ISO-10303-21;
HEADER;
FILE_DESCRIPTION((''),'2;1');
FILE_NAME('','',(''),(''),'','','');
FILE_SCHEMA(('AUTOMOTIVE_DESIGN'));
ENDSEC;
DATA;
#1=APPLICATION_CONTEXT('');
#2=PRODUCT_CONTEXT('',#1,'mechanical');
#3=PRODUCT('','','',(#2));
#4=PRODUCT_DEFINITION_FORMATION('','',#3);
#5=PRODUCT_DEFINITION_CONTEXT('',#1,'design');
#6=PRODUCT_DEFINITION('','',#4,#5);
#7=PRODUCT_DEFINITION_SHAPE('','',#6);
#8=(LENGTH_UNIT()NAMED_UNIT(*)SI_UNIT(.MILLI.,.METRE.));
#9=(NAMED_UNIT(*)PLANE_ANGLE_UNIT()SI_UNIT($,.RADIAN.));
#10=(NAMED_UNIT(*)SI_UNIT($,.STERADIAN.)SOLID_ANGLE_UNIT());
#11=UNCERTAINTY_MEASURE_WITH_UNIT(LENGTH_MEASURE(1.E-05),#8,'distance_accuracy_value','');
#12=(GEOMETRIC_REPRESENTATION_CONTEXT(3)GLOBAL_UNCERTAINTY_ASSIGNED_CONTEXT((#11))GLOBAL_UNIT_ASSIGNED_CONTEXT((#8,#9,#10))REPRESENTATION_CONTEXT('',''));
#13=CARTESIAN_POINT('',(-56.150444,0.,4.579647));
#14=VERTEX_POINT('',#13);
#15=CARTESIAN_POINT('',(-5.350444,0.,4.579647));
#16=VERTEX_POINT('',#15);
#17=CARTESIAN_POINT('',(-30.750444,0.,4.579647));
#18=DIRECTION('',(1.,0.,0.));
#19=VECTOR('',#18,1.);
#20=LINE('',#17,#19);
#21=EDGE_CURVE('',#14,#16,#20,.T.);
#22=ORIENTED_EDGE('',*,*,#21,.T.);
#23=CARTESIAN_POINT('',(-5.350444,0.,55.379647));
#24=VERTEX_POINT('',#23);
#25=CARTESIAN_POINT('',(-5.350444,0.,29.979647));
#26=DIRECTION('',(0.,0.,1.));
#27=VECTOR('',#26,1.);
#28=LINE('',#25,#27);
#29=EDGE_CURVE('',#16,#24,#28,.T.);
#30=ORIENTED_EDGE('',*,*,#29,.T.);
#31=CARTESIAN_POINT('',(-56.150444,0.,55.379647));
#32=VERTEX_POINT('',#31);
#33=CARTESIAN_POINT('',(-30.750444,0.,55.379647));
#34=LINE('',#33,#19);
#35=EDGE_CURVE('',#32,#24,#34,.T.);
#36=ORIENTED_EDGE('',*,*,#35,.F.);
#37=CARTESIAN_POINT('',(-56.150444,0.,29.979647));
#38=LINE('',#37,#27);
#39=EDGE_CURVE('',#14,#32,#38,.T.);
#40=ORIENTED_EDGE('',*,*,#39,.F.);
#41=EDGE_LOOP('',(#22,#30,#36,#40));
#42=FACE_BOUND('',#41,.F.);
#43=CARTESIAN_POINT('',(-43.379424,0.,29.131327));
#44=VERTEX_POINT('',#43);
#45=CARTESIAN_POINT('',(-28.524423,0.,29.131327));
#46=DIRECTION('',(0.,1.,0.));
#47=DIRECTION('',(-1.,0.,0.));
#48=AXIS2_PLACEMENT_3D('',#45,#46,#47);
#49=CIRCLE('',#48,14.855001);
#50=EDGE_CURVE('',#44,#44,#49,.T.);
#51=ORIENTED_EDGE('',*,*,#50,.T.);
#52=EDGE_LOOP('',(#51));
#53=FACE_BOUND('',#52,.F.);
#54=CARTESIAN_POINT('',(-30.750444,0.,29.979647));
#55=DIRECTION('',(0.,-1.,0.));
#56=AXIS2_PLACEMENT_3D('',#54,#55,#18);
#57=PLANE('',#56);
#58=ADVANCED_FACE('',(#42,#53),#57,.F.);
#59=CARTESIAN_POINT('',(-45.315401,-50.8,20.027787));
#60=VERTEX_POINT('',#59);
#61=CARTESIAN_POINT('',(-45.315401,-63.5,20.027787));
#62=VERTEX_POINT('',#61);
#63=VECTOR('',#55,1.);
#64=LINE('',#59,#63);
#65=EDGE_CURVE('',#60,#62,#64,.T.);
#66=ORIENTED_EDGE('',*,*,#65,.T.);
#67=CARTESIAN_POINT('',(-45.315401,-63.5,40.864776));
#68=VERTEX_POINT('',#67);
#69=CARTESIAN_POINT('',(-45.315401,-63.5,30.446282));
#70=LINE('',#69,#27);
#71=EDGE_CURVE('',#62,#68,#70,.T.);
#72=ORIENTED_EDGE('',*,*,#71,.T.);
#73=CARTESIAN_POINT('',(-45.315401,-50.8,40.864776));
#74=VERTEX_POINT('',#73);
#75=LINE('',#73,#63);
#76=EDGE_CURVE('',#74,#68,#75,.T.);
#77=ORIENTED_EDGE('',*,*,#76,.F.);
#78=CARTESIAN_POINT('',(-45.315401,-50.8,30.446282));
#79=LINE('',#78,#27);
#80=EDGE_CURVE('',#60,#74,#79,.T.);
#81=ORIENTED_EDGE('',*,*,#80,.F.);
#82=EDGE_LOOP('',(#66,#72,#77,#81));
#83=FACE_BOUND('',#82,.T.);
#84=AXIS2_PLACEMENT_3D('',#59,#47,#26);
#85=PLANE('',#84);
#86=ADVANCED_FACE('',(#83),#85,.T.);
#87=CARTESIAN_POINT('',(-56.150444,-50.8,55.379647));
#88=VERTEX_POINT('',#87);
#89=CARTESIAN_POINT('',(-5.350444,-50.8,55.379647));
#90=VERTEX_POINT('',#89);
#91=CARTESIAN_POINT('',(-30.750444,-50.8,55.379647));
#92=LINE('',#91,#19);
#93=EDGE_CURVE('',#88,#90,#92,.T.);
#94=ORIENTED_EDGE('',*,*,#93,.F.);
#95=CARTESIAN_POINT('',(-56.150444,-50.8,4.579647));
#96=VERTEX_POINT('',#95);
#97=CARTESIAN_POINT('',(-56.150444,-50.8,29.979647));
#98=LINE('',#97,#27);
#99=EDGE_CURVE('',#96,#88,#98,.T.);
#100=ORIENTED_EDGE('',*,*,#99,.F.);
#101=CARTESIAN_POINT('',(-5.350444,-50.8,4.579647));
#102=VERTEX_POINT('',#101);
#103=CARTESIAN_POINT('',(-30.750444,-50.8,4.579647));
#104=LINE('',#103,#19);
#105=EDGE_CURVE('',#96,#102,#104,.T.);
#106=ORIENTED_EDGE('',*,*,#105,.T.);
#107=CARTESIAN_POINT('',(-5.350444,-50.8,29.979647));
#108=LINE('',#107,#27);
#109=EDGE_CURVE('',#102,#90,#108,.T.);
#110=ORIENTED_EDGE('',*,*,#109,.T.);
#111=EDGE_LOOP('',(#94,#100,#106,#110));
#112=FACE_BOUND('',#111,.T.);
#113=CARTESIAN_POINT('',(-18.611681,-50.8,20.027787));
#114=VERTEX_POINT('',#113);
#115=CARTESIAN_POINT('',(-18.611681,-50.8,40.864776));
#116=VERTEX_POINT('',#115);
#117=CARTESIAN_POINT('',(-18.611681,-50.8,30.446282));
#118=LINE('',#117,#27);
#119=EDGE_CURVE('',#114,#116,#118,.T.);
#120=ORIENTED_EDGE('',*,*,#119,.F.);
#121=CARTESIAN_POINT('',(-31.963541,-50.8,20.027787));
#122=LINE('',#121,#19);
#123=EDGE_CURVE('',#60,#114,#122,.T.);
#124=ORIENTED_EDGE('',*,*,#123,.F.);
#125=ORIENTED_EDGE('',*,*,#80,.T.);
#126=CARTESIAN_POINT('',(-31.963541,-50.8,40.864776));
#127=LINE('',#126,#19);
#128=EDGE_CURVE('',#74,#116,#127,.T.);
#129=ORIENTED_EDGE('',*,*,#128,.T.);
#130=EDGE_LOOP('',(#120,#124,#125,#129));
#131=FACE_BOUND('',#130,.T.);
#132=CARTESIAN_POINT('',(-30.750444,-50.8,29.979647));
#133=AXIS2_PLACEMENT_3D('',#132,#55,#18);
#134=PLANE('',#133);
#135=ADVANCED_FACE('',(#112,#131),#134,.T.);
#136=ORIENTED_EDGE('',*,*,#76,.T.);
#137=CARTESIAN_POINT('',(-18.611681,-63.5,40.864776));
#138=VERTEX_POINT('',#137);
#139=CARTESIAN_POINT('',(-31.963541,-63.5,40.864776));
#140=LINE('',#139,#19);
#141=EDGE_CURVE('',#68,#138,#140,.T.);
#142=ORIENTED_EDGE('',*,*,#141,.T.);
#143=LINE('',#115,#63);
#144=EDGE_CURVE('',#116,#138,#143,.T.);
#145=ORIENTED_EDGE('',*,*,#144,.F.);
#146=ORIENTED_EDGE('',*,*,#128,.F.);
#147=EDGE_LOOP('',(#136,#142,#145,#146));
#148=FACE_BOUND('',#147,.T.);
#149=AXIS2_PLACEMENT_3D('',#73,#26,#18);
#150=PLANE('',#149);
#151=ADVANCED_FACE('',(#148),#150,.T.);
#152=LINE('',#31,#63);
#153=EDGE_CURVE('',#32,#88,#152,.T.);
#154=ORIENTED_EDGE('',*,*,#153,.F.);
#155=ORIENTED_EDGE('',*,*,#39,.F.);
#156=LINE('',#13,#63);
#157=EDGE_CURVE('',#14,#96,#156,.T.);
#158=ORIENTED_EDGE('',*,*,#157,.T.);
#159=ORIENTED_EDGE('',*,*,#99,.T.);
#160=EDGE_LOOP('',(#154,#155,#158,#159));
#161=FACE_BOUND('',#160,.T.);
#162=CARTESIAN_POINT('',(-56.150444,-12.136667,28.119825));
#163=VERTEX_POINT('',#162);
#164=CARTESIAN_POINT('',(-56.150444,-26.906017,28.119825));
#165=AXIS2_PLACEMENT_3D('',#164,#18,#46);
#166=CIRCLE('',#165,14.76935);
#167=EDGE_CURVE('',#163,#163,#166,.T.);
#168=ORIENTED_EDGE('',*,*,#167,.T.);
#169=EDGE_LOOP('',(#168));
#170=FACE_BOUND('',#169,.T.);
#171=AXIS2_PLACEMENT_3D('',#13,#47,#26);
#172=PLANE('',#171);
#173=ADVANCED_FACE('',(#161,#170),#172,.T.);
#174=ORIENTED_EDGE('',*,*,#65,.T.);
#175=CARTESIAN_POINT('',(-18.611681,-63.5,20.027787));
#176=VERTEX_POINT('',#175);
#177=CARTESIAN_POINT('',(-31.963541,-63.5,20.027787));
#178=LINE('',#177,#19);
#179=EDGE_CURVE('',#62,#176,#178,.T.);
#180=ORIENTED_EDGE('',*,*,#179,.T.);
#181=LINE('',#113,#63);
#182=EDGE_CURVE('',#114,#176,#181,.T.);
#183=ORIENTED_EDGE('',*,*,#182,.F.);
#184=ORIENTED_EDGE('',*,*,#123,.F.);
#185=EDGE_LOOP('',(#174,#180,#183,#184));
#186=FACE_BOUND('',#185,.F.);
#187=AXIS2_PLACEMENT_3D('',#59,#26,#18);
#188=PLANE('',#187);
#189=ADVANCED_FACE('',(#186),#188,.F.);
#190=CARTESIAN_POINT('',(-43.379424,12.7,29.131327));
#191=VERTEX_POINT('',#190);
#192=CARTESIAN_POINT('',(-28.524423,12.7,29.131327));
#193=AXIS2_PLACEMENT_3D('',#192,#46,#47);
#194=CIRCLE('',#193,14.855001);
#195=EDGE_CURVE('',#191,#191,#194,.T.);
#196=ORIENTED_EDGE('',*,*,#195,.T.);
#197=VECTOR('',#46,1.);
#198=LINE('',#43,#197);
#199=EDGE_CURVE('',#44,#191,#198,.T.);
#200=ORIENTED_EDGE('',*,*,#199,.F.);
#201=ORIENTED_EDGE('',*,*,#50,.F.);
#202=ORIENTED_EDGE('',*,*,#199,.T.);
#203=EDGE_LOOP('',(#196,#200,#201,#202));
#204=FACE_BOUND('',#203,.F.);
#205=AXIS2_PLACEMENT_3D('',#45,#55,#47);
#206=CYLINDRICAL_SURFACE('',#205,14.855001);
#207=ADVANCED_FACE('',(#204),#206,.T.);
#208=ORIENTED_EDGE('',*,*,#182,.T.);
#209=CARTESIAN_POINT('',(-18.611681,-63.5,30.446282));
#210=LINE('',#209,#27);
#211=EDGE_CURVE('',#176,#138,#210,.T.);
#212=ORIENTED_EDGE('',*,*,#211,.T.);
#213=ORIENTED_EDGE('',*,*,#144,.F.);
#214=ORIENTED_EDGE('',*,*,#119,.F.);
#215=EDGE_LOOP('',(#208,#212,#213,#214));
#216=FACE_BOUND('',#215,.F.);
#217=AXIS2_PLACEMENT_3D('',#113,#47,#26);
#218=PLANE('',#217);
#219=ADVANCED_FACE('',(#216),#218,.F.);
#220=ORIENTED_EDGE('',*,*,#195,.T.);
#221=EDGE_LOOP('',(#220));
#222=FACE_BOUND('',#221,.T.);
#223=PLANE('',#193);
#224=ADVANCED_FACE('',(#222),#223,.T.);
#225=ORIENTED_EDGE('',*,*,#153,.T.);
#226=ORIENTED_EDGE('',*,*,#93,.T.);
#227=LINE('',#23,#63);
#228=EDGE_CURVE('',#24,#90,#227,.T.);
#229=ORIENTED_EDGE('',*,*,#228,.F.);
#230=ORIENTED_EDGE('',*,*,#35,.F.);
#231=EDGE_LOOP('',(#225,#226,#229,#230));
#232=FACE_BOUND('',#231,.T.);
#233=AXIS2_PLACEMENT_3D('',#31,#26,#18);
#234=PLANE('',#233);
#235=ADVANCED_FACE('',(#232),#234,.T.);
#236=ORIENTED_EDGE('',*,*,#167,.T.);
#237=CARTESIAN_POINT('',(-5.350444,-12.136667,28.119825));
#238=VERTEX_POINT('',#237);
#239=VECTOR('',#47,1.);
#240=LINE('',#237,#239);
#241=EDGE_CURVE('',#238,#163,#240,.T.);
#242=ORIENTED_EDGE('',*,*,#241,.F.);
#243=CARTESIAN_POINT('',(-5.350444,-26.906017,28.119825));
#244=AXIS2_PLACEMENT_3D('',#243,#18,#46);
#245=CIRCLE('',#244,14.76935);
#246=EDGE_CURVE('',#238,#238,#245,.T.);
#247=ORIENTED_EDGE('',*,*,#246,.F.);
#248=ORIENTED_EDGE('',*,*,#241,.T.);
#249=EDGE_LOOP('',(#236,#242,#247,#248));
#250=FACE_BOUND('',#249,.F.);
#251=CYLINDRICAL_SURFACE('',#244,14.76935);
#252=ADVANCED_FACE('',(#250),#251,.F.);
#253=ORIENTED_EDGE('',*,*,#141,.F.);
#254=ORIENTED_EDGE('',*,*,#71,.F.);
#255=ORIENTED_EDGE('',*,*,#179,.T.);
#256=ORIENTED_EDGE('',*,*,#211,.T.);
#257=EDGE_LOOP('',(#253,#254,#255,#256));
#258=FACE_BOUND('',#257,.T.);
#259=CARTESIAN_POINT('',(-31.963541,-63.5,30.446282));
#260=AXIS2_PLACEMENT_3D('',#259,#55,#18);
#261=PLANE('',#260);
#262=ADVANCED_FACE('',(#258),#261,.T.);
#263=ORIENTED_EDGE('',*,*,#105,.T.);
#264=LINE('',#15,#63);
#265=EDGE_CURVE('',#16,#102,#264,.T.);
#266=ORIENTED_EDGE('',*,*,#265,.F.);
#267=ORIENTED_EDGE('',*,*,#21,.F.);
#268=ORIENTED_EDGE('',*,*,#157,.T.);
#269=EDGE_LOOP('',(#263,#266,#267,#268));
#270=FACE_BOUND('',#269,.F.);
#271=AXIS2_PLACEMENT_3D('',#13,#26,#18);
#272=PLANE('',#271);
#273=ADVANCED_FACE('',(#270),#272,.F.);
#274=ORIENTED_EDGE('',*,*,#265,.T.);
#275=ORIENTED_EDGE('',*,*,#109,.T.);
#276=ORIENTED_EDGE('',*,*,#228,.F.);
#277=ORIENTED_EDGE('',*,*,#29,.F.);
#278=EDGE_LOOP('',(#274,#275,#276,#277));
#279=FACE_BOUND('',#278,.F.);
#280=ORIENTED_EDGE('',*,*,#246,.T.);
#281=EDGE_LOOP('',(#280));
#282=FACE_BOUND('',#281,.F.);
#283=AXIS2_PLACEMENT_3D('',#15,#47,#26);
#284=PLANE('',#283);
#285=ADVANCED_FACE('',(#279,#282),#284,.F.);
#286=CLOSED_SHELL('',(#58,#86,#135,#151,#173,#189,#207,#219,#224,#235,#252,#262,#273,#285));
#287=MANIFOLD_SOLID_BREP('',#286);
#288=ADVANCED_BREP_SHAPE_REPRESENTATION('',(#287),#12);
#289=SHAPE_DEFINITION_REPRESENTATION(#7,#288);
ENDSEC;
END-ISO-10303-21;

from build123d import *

# Parameters (mm, degrees)
F0_W     = 50.8
F0_H     = 50.8
F1_DEPTH = 50.8
F2_R     = 14.76935
F3_DEPTH = 50.8
F4_R     = 14.855001
F5_DEPTH = 12.7
F6_W     = 26.703719
F6_H     = 20.836989
F7_DEPTH = 12.7


with BuildPart() as f1:
    # F0 (on Front) → F1 (new body)
    with BuildSketch(Plane.XZ):
        with Locations((-30.750444, 29.979647)):
            Rectangle(F0_W, F0_H)
    extrude(amount=F1_DEPTH)

    # F2 (on face) → F3 (cut)
    with BuildSketch(Plane.YZ.offset(-5.350444)):
        with Locations((-26.906017, 28.119825)):
            Circle(F2_R)
    extrude(amount=-F3_DEPTH, mode=Mode.SUBTRACT)

    # F4 (on face) → F5 (join)
    with BuildSketch(Plane(origin=(0, 0, 0), x_dir=(-1, 0, 0), z_dir=(0, 1, 0))):
        with Locations((28.524423, 29.131327)):
            Circle(F4_R)
    extrude(amount=F5_DEPTH)

    # F6 (on face) → F7 (join)
    with BuildSketch(Plane.XZ.offset(50.8)):
        with Locations((-31.963541, 30.446282)):
            Rectangle(F6_W, F6_H)
    extrude(amount=F7_DEPTH)


solid = f1.part
